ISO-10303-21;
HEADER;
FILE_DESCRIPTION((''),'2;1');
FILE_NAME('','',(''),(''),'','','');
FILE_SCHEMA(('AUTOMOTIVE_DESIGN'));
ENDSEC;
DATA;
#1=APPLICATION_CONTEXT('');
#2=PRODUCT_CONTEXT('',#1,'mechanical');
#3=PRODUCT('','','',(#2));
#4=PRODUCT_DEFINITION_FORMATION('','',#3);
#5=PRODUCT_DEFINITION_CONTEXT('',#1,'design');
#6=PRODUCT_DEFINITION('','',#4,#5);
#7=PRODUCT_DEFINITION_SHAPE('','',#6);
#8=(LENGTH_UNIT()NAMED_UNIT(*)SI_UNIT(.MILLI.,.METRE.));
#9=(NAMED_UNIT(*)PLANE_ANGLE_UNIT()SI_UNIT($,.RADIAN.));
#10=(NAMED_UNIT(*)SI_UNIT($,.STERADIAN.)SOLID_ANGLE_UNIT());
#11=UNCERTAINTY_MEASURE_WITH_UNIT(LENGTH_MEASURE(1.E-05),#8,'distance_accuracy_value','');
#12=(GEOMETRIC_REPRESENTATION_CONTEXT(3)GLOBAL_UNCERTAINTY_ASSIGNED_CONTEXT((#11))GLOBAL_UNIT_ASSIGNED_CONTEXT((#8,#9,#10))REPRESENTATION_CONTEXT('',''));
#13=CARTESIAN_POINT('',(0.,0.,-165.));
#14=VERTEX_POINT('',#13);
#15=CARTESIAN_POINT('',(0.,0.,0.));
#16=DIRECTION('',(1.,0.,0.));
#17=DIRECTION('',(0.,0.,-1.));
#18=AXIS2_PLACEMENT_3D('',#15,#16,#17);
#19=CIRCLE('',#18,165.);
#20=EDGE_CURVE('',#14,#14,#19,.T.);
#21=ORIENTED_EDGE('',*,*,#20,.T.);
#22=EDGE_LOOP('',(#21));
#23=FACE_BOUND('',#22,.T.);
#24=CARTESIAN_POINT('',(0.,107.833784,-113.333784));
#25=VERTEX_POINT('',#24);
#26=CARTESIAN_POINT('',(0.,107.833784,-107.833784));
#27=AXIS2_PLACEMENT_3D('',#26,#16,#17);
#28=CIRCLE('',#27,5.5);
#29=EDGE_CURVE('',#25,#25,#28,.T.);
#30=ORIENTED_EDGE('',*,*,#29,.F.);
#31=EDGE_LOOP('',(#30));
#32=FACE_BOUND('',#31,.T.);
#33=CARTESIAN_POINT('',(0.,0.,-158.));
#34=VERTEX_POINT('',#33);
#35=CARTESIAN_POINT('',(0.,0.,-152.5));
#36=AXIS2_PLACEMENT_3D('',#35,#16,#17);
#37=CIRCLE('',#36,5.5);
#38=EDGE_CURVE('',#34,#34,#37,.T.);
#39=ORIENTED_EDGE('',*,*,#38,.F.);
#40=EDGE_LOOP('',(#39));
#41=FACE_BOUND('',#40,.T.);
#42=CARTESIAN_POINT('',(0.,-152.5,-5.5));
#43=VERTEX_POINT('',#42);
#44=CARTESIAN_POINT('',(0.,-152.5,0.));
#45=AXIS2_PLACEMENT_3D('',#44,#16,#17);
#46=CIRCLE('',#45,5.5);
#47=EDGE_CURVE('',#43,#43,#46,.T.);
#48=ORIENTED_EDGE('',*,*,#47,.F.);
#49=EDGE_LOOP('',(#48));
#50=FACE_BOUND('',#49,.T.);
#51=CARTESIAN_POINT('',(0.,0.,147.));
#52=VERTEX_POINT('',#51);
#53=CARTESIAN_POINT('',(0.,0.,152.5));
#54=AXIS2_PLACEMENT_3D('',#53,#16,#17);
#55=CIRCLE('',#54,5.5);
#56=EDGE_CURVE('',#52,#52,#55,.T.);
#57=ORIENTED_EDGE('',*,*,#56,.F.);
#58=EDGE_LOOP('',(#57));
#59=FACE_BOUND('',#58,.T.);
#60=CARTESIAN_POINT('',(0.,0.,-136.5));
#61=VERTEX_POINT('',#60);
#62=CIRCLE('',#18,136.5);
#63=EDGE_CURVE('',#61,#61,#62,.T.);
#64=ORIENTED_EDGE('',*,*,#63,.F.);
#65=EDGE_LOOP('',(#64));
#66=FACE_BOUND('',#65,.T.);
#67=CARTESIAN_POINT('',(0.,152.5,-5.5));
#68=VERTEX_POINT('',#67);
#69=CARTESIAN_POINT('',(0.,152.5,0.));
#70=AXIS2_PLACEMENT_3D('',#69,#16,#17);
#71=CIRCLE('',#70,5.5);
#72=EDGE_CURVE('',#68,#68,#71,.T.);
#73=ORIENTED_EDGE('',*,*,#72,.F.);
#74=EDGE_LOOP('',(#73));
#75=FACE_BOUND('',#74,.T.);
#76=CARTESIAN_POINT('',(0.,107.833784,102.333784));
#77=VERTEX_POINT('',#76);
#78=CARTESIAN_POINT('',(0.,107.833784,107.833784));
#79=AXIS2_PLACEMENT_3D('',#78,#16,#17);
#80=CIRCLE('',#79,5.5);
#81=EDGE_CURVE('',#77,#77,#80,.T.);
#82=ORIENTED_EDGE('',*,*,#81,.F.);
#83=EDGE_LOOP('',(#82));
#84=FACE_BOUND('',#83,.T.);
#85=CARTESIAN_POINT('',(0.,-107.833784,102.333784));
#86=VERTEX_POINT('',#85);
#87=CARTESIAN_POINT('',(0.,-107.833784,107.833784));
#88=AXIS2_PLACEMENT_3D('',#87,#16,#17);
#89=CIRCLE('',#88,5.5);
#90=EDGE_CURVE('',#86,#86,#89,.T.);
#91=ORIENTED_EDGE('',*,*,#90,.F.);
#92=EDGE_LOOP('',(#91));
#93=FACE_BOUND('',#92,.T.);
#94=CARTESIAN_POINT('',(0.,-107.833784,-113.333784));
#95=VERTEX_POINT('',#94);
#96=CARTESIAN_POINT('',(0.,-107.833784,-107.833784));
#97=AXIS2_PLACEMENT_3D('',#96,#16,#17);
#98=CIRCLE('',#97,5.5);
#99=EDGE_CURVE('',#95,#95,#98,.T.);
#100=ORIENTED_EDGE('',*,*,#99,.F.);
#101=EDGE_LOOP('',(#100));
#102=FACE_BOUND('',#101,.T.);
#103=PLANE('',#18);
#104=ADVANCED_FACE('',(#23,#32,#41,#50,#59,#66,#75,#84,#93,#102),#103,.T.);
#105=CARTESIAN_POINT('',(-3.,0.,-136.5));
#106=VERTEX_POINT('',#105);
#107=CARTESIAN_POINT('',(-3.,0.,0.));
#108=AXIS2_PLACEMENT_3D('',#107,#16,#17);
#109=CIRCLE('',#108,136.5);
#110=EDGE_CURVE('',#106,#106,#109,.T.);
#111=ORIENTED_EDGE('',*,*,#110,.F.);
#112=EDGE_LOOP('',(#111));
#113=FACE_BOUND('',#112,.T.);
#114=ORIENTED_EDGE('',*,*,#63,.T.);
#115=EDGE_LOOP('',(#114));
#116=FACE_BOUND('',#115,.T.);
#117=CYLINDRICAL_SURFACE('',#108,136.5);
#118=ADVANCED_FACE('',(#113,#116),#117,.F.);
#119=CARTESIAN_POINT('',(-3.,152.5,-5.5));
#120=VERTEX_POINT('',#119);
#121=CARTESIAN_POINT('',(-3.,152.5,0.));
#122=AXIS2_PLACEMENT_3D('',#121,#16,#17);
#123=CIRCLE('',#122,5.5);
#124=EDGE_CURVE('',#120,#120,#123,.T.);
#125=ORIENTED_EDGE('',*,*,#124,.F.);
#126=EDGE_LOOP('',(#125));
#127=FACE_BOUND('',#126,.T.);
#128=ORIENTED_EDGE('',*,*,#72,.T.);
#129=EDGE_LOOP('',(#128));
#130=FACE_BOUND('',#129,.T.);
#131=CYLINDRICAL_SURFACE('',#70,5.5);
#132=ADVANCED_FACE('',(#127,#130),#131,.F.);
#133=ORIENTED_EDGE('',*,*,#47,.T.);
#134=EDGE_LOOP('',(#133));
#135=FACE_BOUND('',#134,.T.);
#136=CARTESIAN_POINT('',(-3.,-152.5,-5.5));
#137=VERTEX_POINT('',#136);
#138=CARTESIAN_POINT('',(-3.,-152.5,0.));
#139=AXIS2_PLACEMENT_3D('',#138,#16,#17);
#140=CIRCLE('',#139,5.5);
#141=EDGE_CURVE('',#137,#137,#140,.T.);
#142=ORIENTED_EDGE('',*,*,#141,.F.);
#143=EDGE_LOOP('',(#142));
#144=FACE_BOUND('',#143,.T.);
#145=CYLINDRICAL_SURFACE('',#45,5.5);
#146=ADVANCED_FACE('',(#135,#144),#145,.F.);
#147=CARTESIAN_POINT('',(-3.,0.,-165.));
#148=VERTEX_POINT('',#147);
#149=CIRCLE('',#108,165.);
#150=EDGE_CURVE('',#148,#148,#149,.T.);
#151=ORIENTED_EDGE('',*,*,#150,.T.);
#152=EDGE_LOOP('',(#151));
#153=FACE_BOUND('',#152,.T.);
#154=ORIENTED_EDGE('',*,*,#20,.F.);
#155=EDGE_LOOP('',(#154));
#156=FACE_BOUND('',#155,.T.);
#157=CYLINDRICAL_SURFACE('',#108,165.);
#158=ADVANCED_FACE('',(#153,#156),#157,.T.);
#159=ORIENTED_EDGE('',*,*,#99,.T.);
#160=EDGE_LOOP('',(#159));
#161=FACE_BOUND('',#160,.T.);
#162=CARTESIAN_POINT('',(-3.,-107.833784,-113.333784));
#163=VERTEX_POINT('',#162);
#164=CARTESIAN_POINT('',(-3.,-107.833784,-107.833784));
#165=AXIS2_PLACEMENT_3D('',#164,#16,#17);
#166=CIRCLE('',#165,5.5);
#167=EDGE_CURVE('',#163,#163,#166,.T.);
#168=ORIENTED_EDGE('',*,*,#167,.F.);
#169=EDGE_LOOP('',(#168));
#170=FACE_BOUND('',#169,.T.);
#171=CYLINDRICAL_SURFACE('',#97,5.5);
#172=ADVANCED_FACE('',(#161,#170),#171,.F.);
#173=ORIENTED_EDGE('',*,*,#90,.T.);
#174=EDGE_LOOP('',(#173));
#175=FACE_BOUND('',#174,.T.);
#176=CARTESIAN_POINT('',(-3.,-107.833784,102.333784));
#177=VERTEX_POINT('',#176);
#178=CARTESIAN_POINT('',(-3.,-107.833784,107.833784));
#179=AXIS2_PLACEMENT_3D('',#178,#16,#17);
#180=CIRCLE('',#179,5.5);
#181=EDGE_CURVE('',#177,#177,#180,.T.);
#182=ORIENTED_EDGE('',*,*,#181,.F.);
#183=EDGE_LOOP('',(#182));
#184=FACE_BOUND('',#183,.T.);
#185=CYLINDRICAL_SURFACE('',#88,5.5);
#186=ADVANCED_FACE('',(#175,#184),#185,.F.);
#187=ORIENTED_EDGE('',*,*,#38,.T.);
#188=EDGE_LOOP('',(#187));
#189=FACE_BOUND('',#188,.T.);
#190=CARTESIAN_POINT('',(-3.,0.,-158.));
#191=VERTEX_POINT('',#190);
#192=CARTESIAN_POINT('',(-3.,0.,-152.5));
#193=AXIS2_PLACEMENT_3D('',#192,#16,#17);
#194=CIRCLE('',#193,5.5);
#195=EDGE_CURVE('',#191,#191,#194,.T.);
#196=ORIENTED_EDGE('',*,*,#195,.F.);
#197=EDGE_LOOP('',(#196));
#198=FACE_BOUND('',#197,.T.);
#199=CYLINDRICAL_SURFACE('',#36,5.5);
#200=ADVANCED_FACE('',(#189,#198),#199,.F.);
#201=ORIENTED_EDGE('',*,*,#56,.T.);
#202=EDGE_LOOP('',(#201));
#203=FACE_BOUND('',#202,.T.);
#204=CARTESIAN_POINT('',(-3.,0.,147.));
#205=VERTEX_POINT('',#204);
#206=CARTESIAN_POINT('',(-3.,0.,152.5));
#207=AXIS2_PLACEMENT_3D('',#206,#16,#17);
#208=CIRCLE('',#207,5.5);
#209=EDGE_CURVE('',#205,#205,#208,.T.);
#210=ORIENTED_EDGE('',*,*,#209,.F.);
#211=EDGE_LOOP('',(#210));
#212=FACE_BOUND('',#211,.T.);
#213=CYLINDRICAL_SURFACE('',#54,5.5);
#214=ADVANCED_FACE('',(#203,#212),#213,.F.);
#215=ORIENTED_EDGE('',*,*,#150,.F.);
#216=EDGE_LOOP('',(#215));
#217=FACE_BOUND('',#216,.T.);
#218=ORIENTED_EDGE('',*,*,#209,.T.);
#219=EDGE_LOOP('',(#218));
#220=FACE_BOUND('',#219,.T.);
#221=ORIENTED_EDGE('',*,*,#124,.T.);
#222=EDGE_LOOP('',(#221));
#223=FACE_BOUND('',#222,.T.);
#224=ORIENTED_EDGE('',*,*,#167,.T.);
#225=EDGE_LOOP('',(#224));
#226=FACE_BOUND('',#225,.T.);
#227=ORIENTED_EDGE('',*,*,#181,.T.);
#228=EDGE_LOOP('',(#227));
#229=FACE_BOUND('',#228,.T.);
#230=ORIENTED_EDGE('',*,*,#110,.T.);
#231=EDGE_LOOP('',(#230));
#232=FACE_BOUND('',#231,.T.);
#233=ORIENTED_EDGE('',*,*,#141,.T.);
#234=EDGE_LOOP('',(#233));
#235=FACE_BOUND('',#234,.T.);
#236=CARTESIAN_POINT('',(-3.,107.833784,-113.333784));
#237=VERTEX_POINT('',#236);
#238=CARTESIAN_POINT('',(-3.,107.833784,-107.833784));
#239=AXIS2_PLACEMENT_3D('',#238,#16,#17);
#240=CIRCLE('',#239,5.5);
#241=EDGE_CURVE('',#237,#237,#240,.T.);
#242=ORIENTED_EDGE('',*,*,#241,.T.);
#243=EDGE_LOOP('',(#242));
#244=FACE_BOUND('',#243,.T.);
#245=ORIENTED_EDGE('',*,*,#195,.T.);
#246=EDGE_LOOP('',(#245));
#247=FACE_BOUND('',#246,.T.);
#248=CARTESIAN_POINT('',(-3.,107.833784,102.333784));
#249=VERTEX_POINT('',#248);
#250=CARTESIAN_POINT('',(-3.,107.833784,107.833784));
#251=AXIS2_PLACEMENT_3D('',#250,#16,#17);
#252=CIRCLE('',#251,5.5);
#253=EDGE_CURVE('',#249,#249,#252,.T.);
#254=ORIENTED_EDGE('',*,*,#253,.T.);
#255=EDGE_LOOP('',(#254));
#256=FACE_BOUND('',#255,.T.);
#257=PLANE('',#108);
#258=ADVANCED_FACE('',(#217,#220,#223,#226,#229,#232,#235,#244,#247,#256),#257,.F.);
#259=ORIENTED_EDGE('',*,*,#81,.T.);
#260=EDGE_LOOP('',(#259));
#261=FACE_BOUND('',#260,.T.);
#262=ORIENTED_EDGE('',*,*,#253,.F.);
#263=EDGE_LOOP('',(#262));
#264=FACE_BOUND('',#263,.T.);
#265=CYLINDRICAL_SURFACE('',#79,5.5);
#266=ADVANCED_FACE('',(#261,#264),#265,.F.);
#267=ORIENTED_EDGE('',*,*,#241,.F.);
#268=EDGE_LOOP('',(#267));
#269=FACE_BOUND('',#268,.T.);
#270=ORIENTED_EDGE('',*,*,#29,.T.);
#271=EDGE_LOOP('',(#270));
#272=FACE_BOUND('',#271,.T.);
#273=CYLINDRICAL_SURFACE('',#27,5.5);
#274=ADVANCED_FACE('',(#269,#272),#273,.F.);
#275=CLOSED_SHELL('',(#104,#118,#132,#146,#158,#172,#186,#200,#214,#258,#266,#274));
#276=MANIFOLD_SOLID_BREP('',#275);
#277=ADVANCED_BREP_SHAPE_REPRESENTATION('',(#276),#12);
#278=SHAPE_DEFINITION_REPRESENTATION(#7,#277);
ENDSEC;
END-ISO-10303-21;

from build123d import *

# Parameters (mm, degrees)
SKIZZE2_R                       = 165
SKIZZE2_R_2                     = 136.5
AUFSATZ_LINEAR_AUSTRAGEN1_DEPTH = 3
DURCHGANGSLOCH_F_R_M101_D       = 11
KREISMUSTER1_COUNT              = 8


with BuildPart() as part:
    # Skizze2 → Aufsatz-Linear austragen1 (new body)
    with BuildSketch(Plane(origin=(0, 0, 0), x_dir=(0, 0, -1), z_dir=(1, 0, 0))):
        Circle(SKIZZE2_R)
        Circle(SKIZZE2_R_2, mode=Mode.SUBTRACT)
    extrude(amount=-AUFSATZ_LINEAR_AUSTRAGEN1_DEPTH)

    # Durchgangsloch für M101 (through all)
    with Locations(Plane(origin=(0, -26.503392929, -77.586576954), x_dir=(0, 0, -1), z_dir=(1, 0, 0))):
        with Locations((-77.586576954, 179.003392929)):
            durchgangsloch_f_r_m101 = Hole(DURCHGANGSLOCH_F_R_M101_D / 2)

    # Kreismuster1: Durchgangsloch für M101 ×8 about axis
    kreismuster1_axis = Axis((0, 0, 0), (1, 0, 0))
    for i in range(1, KREISMUSTER1_COUNT):
        add(durchgangsloch_f_r_m101.rotate(kreismuster1_axis, i * 360 / KREISMUSTER1_COUNT), mode=Mode.SUBTRACT)


solid = part.part
